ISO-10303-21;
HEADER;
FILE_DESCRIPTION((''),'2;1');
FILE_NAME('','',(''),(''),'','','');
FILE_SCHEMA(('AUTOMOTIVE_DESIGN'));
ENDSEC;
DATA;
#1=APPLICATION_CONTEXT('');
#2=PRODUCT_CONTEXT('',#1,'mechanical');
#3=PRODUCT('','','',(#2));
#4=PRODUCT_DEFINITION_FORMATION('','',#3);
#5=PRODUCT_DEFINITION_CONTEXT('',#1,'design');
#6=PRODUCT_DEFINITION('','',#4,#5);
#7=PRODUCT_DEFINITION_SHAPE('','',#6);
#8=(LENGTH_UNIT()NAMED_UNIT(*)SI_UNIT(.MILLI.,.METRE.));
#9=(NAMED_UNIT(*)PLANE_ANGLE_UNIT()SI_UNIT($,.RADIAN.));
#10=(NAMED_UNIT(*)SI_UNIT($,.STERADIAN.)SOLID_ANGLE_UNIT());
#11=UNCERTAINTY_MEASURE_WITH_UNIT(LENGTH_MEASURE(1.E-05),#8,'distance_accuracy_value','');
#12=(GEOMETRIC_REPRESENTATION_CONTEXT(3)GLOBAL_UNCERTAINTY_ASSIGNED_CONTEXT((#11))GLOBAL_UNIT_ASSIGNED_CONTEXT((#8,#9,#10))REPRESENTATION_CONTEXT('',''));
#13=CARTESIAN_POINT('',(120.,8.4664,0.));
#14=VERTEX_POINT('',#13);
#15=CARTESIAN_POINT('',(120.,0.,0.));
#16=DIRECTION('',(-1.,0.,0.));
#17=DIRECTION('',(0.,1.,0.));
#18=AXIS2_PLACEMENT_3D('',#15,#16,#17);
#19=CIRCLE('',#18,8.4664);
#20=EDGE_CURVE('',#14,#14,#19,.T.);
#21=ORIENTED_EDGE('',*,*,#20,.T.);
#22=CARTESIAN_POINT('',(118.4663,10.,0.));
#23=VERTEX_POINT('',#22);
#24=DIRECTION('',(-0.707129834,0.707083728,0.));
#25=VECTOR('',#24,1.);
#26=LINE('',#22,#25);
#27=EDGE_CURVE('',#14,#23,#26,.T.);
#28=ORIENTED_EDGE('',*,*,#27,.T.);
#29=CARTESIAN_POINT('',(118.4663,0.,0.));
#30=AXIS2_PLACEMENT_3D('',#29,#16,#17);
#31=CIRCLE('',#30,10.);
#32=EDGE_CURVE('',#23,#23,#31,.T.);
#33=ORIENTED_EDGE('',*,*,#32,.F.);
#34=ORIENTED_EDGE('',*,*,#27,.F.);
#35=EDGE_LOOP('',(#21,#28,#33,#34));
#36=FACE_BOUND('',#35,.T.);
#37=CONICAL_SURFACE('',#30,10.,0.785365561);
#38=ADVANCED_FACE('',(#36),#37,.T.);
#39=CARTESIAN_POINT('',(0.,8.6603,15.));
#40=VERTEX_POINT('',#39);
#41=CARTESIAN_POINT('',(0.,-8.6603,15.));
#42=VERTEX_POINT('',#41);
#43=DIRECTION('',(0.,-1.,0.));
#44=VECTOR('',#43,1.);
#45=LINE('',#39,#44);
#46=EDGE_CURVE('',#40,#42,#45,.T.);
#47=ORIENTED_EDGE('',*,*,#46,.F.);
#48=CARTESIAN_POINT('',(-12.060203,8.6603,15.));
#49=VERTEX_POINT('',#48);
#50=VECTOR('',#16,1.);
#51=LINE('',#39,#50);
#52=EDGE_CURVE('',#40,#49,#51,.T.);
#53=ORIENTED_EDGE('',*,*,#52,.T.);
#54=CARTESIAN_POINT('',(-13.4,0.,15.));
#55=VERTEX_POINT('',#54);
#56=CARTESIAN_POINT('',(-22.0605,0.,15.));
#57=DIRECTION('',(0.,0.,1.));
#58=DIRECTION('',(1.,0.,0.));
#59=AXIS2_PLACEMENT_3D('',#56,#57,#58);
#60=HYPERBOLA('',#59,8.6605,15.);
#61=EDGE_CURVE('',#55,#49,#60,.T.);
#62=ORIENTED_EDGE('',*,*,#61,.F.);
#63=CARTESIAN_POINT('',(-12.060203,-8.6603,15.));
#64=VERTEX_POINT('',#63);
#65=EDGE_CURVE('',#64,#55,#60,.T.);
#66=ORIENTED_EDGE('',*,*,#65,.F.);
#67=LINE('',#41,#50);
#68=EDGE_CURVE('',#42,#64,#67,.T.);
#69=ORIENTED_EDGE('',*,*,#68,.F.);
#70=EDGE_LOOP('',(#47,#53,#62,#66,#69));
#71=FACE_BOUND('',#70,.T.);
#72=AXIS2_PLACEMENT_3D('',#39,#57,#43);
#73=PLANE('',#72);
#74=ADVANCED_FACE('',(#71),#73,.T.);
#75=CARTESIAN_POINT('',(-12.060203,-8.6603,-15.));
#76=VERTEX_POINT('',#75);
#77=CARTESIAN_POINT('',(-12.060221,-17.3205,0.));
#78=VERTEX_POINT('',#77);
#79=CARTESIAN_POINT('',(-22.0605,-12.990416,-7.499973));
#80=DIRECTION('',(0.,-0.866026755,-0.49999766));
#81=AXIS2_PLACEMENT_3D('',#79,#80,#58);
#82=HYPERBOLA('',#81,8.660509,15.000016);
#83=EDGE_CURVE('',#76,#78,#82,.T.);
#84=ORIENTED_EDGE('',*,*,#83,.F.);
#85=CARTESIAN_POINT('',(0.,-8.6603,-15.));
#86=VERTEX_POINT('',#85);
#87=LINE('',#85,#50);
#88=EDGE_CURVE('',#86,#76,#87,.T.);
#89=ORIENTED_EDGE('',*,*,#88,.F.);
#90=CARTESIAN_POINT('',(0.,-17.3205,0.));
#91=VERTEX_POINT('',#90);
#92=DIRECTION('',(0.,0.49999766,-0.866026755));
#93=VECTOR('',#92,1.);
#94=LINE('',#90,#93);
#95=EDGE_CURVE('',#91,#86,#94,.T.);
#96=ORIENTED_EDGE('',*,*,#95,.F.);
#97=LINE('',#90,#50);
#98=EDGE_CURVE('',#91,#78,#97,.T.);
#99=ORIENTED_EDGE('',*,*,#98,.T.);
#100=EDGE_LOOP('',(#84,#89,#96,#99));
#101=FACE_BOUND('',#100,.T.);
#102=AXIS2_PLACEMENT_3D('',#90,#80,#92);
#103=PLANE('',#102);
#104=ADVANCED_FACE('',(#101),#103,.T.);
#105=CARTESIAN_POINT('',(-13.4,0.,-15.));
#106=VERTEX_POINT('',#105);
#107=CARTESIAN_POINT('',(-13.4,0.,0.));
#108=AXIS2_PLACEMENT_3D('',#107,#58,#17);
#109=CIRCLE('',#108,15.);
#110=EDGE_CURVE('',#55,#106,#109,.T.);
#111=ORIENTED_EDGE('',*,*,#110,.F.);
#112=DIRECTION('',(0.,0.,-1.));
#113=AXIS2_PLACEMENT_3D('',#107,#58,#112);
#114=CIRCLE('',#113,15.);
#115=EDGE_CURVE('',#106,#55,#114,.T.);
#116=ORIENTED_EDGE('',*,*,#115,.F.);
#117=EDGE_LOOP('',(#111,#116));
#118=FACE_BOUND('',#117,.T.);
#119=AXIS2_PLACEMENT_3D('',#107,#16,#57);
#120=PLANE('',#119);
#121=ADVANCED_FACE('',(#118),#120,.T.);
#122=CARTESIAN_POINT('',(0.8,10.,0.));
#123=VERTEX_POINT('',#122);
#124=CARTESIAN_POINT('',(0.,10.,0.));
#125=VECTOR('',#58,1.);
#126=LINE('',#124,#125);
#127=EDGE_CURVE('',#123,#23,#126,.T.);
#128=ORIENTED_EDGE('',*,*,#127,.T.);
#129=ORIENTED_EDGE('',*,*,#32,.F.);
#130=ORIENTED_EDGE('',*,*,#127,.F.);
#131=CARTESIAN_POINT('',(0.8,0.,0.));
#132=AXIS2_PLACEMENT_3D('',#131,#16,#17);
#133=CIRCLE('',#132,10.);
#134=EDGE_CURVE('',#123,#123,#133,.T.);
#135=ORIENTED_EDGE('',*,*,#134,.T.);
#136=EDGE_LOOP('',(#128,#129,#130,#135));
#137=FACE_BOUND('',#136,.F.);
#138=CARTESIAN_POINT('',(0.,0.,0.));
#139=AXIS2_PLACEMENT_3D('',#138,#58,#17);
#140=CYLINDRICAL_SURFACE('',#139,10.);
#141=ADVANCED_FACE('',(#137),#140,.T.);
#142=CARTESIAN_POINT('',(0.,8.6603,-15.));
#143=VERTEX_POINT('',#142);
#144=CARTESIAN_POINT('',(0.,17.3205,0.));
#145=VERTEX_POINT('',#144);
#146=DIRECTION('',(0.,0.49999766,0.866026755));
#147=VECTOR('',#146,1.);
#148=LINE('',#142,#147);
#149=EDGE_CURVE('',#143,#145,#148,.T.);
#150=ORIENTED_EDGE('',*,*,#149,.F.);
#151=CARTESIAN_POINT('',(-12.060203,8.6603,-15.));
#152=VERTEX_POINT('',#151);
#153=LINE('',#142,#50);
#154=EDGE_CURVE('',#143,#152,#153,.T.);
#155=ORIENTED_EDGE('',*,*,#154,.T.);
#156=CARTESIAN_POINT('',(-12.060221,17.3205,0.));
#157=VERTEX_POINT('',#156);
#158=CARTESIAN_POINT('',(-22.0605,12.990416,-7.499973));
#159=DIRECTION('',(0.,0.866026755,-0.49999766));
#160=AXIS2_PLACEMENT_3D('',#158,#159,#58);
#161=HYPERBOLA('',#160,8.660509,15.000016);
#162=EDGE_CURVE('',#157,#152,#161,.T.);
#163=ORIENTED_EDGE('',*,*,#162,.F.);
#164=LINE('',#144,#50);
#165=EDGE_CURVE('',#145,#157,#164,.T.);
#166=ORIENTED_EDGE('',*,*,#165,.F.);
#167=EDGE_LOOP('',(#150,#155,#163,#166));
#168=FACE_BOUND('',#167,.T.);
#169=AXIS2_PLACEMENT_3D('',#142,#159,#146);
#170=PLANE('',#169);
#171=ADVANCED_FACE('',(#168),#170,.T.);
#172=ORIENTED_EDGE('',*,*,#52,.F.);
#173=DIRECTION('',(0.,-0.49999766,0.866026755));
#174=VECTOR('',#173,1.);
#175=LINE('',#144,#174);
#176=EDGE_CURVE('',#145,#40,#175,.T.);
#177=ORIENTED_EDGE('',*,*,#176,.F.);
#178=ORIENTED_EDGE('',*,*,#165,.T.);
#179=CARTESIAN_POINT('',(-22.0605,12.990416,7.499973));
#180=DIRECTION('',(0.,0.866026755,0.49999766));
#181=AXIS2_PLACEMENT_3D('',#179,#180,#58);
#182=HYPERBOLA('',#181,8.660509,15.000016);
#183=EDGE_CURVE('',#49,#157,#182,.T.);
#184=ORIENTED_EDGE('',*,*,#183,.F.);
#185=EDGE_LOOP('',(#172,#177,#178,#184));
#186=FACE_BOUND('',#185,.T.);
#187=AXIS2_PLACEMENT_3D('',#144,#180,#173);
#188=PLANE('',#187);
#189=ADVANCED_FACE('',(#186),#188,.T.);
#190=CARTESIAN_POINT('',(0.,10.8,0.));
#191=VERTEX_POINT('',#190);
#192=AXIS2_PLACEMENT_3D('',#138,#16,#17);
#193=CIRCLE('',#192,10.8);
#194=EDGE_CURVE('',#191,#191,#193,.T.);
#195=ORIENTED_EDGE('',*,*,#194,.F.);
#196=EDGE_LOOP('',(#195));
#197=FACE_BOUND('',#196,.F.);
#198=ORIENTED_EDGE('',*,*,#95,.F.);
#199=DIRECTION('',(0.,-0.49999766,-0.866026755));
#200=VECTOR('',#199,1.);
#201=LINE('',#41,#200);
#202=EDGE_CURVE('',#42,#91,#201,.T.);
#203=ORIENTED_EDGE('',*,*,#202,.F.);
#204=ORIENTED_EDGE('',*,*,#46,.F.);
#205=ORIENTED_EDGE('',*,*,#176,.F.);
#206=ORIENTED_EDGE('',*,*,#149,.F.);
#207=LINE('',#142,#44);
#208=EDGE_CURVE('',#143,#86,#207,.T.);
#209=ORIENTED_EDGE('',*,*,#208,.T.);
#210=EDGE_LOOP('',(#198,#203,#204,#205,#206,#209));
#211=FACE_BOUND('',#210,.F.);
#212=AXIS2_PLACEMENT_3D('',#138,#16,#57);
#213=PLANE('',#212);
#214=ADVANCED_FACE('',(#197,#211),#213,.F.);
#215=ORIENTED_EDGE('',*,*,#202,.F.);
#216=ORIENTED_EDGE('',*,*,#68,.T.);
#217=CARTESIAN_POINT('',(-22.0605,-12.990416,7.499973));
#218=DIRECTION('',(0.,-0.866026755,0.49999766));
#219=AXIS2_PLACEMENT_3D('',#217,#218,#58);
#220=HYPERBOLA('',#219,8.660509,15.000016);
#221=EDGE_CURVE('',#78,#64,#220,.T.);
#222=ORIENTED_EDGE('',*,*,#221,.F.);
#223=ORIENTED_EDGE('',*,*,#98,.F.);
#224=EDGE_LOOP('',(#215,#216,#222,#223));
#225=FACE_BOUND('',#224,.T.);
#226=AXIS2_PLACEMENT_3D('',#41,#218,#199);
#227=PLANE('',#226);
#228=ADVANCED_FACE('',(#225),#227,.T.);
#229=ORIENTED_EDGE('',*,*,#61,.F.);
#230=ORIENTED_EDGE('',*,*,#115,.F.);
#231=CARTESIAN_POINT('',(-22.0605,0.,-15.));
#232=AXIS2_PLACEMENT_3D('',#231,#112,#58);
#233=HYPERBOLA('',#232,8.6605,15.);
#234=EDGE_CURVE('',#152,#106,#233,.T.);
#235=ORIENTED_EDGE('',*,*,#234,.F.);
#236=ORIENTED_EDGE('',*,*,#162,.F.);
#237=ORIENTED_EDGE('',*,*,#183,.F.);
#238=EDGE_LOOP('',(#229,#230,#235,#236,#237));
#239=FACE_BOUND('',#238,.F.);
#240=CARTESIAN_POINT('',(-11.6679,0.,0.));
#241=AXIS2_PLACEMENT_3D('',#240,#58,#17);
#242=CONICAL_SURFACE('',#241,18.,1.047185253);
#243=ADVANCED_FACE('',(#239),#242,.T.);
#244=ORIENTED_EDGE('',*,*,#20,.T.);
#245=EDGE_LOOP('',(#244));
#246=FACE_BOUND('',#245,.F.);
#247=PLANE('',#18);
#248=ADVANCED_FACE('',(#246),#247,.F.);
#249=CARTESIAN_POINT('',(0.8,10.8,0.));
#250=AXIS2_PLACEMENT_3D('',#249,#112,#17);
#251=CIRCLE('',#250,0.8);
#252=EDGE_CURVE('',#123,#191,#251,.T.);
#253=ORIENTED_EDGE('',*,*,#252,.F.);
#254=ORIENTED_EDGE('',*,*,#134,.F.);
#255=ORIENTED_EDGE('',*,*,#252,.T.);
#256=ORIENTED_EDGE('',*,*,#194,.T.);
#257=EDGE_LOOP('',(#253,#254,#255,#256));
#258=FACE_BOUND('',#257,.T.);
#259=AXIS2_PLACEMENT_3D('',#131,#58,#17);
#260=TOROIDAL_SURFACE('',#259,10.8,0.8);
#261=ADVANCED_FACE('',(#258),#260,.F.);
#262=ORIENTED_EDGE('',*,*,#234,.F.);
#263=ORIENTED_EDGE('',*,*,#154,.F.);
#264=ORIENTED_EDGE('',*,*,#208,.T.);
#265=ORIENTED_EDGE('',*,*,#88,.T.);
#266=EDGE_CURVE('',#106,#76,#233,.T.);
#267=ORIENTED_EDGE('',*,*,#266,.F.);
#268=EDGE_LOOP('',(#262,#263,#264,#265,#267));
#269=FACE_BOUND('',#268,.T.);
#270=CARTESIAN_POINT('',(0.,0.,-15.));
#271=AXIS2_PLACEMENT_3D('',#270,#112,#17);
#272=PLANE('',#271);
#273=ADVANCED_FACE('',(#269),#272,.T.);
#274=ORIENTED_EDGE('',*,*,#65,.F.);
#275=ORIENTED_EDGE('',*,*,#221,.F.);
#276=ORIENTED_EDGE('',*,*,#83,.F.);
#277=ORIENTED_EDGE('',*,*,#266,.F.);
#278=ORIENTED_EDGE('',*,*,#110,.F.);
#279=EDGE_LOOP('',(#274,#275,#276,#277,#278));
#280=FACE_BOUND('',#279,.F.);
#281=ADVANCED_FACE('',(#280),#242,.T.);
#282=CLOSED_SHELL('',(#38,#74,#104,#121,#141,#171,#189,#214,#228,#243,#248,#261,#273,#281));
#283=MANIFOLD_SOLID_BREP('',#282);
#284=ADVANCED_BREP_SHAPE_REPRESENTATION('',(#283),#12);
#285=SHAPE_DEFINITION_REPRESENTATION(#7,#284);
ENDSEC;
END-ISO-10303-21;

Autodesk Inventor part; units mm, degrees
ref_plane "YZ Plane" through (0, 0, 0) normal (1, 0, 0) x (0, 1, 0)
ref_plane "XZ Plane" through (0, 0, 0) normal (0, 1, 0) x (-1, 0, 0)
sketch "Sketch1" plane through (0, 0, 0) normal (0, 0, 1) x (1, 0, 0)
  line L0 (0, 10) -> (120, 10)
  line L1 (120, 10) -> (120, 0)
  line L2 (120, 0) -> (0, 0)
  line L3 (-24, 0) -> (144, 0) projected
  line L4 (0, -2) -> (0, 12) projected
  line L5 (0, 10) -> (0, 0)
  dimension "d2" = 20
  dimension "d59" = 120
revolve "Body" add sketch "Sketch1" angle 360 about axis through (120, 0, 0) along (-1, 0, 0)
sketch "Sketch2" plane through (0, 0, 0) normal (-1, 0, 0) x (0, 0, 1)
  line L0 (0, 17.3205) -> (15, 8.6603)
  line L1 (15, 8.6603) -> (15, -8.6603)
  line L2 (15, -8.6603) -> (0, -17.3205)
  line L3 (0, -17.3205) -> (-15, -8.6603)
  line L4 (-15, -8.6603) -> (-15, 8.6603)
  line L5 (-15, 8.6603) -> (0, 17.3205)
  line L6 (-21, 0) -> (21, 0) projected
  line L7 (0, 24.2487) -> (0, -24.2487) projected
  point P0 (0, 0)
  point P1 (0, 0)
  dimension "d11" = 30
extrude "Head" add sketch "Sketch2" along normal blind 13.4
sketch "Sketch4" plane through (0, 0, 0) normal (0, 0, 1) x (1, 0, 0)
  line L0 (-11.6679, 18) -> (-13.4, 15)
  line L1 (-1.1, 0) -> (-0.234, 0)
  line L2 (-16.0332, 0) -> (2.3992, 0) projected
  line L3 (-13.4, 18) -> (-11.6679, 18)
  line L4 (-13.4, 15) -> (-13.4, 18)
  line L5 (0, 21.6) -> (0, -3.6) projected
  dimension "d65" = 30
  dimension "d67" = 30
  dimension "d68" = 36
  dimension "d69" = 13.4
revolve "Chamfer1" cut sketch "Sketch4" angle 360 about axis through (-1.1, 0, 0) along (1, 0, 0)
thread "Thread" size "M20x2.5" class "6g" standard "ISO Metric profile" length 46
chamfer "Chamfer2" distance 1.5336 distance2 1.5337 1 edges at (120, -10, 0) measured on face at (120, -2.6738, -2.9356)
fillet "Fillet" radius 0.8 1 edges at (0, -10, 0)
ref_plane "Work Plane1" through (1.525, 0, 0) normal (0, 0, 1) x (1, 0, 0)
equation "\"d2\" = GD"
equation "\"d59\" = NLG"
equation "\"d11\" = SW"
equation "\"d3\" = KOH"
equation "\"d15\" = GEL"
equation "\"d6\" = -0.5 * SPD + 0.5 * GD"
equation "\"d71\" = RR1"
equation "\"d65\" = SW"
equation "\"d67\" = ANG1"
equation "\"d68\" = 1.2 * SW"
equation "\"d69\" = KOH"
equation "\"NLG\" = 120"
equation "\"GD\" = NND"
equation "\"KOH\" = 13.4"
equation "\"GEL\" = 46"
equation "\"SW\" = 30"
equation "\"SPD\" = NND - 1.2269 * PTC"
equation "\"SD\" = 0"
equation "\"ANG1\" = 30deg"
equation "\"GAL\" = 0.61345 * PTC"
equation "\"GUL\" = 0.61345 * PTC"
equation "\"RR\" = 0.1"
equation "\"RR1\" = 0.8"
equation "\"GD1\" = THREADDIA - 1.2269 * PTC"
equation "\"TOA\" = 30deg"
equation "\"PTC\" = 2.5"
equation "\"KOH1\" = 8.8"
equation "\"E0\" = 1.155 * SW"
equation "\"NND\" = 20"
equation "\"THREADDIA\" = 20"
properties part number "ANSI B18.2.3.5M - M20 x 2,5 x 120" material "Steel, Mild"
